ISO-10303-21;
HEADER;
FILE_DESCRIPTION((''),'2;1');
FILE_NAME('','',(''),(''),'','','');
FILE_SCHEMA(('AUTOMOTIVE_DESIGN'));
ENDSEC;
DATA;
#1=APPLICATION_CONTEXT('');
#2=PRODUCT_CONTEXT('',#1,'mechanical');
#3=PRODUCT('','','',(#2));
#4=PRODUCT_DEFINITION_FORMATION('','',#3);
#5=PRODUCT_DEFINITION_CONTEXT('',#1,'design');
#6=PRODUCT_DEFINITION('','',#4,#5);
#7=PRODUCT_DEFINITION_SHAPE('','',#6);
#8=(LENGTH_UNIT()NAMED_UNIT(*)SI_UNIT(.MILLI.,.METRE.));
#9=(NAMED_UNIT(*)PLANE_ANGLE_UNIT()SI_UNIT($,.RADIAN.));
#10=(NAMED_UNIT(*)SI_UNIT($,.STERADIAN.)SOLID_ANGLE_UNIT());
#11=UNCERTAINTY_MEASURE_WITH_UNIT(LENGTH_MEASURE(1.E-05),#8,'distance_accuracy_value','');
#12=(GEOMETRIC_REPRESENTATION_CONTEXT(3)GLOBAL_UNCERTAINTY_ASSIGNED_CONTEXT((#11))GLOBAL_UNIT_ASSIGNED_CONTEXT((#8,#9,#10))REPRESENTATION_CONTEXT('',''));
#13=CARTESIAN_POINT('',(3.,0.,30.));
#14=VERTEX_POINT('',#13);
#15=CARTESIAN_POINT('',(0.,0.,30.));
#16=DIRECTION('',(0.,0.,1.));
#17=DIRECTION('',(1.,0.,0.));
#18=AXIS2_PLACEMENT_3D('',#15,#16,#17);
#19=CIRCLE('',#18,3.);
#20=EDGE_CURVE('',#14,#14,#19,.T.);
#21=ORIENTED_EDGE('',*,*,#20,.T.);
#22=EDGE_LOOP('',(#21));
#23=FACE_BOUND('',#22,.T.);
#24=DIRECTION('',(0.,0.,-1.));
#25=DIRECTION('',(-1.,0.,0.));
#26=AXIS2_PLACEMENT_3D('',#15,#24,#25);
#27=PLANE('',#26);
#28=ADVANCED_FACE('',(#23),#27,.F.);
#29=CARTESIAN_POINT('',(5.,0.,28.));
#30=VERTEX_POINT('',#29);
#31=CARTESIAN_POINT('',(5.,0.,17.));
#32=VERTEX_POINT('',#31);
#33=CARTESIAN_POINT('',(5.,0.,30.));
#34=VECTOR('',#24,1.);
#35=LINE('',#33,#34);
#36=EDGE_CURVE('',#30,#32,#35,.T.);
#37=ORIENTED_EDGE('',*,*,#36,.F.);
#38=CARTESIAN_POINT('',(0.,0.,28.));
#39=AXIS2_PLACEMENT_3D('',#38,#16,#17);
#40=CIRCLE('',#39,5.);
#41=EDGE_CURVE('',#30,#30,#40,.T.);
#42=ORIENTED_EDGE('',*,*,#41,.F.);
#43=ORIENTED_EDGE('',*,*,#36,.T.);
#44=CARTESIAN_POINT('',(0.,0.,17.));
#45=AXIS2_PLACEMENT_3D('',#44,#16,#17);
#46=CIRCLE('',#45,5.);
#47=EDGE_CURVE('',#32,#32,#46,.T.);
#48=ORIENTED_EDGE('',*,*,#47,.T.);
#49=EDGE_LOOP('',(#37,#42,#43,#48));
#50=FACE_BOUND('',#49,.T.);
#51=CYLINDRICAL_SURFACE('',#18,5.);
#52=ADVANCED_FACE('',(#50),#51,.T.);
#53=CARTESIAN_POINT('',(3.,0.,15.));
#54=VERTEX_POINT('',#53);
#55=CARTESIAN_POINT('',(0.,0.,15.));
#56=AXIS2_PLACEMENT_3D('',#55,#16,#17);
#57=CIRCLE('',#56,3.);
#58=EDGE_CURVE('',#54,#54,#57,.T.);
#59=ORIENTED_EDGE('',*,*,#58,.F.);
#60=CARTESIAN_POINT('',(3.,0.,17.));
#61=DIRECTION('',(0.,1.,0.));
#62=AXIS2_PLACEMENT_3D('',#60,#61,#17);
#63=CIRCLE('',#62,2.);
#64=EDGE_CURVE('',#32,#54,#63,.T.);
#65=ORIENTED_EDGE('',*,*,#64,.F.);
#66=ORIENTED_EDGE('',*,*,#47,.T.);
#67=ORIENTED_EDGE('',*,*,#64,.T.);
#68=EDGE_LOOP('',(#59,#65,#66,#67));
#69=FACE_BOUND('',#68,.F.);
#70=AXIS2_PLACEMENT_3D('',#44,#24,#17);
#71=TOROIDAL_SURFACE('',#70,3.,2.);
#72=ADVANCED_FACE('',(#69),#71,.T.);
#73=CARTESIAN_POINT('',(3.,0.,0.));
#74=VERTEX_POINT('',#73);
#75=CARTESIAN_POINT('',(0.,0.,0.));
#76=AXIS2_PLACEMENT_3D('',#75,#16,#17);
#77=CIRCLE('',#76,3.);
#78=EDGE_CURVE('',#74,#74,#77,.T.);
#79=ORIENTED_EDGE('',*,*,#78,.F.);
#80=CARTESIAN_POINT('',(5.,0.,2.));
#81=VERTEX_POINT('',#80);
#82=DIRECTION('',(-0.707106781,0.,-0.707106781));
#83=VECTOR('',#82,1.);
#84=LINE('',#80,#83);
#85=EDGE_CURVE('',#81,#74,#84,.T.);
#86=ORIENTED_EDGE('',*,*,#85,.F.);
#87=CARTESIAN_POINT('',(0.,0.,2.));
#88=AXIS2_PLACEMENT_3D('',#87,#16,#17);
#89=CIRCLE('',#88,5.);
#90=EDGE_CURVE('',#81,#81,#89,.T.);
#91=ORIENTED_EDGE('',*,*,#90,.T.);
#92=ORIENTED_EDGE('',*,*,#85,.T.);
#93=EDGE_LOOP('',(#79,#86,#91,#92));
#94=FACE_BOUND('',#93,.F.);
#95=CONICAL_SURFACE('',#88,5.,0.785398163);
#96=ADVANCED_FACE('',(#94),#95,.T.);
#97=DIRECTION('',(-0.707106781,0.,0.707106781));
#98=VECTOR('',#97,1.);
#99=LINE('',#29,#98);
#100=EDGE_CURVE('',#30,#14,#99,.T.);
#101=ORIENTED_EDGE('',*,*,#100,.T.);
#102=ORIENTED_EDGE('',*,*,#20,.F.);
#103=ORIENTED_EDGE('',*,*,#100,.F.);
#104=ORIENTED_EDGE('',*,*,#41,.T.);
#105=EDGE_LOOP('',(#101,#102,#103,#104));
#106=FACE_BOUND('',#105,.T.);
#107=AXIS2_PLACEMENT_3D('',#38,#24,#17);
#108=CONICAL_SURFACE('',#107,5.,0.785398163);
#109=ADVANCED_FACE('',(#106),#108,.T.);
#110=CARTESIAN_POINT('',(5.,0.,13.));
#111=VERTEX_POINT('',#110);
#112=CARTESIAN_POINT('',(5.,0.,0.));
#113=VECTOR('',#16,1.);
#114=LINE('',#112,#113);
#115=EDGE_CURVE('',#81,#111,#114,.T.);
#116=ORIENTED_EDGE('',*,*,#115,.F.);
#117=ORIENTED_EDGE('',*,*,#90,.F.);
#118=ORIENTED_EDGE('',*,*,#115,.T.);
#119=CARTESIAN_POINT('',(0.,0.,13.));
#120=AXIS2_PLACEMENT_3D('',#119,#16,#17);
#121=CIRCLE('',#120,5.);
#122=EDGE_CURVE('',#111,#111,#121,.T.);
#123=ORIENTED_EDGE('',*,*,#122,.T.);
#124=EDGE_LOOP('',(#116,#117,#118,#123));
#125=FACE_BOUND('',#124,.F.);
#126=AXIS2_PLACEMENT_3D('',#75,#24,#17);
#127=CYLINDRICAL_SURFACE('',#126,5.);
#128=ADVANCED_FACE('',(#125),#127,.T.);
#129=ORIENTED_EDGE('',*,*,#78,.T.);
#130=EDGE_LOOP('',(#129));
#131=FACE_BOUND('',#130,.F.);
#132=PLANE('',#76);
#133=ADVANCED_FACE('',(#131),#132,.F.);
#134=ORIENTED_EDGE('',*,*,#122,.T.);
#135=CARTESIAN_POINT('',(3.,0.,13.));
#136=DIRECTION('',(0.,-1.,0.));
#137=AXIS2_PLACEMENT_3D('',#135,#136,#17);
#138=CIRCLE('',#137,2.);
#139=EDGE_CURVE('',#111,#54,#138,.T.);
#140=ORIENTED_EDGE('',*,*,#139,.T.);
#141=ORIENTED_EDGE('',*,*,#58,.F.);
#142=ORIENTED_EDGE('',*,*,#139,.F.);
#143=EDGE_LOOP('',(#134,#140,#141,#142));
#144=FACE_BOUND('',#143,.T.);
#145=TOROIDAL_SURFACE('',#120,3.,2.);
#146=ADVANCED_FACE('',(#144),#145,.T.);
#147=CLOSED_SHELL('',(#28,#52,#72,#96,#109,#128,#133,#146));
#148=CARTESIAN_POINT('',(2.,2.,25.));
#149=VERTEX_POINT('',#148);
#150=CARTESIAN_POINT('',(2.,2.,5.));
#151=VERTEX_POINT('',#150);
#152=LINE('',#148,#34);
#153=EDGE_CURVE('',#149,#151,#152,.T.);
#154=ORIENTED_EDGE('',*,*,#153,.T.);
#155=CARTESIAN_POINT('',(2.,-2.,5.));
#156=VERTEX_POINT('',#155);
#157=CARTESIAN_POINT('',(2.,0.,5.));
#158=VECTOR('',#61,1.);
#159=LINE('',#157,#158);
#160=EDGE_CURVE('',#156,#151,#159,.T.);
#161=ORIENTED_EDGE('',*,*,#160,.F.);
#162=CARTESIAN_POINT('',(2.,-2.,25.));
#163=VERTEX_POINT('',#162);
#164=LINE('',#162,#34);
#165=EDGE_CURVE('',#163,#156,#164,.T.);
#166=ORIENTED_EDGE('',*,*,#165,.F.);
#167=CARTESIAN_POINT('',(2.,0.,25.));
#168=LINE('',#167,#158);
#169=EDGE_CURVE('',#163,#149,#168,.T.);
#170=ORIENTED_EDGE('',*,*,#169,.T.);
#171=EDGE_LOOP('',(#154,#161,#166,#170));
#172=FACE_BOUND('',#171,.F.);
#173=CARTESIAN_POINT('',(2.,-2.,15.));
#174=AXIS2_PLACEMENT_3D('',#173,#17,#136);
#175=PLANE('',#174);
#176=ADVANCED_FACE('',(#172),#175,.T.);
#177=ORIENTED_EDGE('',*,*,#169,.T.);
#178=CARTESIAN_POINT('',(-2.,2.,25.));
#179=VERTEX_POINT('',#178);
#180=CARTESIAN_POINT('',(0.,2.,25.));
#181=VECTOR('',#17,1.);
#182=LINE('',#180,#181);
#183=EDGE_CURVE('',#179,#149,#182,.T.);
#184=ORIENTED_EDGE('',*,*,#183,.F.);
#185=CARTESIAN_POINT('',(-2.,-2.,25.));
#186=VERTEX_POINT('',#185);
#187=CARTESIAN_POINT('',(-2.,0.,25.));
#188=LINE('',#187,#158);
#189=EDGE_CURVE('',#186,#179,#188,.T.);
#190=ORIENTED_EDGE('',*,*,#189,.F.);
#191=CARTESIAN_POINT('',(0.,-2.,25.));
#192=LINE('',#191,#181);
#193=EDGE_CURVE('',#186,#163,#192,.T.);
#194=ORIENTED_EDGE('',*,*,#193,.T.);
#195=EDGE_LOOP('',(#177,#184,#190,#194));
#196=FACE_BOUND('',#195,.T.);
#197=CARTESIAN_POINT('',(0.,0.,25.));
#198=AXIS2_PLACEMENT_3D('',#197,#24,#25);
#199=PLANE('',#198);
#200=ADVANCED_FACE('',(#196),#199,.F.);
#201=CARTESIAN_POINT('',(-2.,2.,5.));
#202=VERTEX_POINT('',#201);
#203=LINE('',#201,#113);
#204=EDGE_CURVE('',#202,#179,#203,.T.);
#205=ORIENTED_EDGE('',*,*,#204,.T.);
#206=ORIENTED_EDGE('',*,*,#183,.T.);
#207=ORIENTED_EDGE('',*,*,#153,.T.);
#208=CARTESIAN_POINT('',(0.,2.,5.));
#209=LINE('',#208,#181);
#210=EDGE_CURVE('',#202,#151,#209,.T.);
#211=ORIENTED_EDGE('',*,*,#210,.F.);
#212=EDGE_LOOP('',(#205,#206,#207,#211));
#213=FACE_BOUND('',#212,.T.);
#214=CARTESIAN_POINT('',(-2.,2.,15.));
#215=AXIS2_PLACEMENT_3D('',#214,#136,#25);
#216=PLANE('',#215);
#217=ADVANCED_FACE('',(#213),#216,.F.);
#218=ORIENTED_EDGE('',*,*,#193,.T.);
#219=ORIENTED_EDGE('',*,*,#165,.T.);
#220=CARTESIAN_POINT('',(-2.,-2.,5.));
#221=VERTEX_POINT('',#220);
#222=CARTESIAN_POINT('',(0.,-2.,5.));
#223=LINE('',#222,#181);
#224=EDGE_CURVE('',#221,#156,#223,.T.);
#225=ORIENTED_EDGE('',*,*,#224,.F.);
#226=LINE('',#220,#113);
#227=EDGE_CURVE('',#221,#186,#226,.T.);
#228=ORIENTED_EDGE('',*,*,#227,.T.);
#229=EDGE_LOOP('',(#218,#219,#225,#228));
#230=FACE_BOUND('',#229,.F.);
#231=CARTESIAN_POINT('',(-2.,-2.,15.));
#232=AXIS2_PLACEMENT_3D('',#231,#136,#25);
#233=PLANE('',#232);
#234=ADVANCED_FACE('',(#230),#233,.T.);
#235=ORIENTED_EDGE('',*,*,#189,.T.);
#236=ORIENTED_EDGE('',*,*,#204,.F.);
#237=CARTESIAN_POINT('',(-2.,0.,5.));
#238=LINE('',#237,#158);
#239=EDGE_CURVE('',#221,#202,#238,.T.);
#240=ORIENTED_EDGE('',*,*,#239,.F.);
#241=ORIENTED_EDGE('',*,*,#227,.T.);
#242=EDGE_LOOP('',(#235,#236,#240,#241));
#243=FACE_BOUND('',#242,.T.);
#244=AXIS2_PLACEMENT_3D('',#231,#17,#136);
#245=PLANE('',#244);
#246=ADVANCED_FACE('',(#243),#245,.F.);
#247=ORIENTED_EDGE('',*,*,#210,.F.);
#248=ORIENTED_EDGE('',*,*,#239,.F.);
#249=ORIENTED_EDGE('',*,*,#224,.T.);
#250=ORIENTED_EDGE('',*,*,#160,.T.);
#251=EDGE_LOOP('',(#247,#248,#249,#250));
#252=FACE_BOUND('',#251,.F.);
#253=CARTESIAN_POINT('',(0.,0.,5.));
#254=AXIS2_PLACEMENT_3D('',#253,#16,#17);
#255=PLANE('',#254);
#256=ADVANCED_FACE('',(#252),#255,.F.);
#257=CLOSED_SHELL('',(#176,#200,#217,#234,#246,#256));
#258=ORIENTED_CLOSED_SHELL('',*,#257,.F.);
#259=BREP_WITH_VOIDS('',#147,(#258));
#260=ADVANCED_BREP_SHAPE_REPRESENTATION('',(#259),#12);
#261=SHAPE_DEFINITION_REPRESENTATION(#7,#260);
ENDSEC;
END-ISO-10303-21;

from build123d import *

# Parameters (mm, degrees)
F0_R     = 5
F1_DEPTH = 15
F2_W     = 4
F2_H     = 4
F3_DEPTH = 10
F4_R     = 2
F5_SIZE  = 2


with BuildPart() as f1:
    # F0 (on Top) → F1 (new body)
    with BuildSketch(Plane.XY):
        Circle(F0_R)
    extrude(amount=F1_DEPTH)

    # F2 (on face) → F3 (cut)
    with BuildSketch(Plane.XY.offset(15)):
        Rectangle(F2_W, F2_H)
    extrude(amount=-F3_DEPTH, mode=Mode.SUBTRACT)

    # F4
    f4_edges = [f1.edges().sort_by_distance(p)[0] for p in [
        (-5, 0, 15),
    ]]
    fillet(f4_edges, radius=F4_R)

    # F5
    f5_edges = [f1.edges().sort_by_distance(p)[0] for p in [
        (-5, 0, 0),
    ]]
    chamfer(f5_edges, length=F5_SIZE)

    # F6: F1 across face


with BuildPart() as f1_1:
    add(f1.part)
    add(f1.part.mirror(Plane.XY.offset(15)))


solid = f1_1.part
